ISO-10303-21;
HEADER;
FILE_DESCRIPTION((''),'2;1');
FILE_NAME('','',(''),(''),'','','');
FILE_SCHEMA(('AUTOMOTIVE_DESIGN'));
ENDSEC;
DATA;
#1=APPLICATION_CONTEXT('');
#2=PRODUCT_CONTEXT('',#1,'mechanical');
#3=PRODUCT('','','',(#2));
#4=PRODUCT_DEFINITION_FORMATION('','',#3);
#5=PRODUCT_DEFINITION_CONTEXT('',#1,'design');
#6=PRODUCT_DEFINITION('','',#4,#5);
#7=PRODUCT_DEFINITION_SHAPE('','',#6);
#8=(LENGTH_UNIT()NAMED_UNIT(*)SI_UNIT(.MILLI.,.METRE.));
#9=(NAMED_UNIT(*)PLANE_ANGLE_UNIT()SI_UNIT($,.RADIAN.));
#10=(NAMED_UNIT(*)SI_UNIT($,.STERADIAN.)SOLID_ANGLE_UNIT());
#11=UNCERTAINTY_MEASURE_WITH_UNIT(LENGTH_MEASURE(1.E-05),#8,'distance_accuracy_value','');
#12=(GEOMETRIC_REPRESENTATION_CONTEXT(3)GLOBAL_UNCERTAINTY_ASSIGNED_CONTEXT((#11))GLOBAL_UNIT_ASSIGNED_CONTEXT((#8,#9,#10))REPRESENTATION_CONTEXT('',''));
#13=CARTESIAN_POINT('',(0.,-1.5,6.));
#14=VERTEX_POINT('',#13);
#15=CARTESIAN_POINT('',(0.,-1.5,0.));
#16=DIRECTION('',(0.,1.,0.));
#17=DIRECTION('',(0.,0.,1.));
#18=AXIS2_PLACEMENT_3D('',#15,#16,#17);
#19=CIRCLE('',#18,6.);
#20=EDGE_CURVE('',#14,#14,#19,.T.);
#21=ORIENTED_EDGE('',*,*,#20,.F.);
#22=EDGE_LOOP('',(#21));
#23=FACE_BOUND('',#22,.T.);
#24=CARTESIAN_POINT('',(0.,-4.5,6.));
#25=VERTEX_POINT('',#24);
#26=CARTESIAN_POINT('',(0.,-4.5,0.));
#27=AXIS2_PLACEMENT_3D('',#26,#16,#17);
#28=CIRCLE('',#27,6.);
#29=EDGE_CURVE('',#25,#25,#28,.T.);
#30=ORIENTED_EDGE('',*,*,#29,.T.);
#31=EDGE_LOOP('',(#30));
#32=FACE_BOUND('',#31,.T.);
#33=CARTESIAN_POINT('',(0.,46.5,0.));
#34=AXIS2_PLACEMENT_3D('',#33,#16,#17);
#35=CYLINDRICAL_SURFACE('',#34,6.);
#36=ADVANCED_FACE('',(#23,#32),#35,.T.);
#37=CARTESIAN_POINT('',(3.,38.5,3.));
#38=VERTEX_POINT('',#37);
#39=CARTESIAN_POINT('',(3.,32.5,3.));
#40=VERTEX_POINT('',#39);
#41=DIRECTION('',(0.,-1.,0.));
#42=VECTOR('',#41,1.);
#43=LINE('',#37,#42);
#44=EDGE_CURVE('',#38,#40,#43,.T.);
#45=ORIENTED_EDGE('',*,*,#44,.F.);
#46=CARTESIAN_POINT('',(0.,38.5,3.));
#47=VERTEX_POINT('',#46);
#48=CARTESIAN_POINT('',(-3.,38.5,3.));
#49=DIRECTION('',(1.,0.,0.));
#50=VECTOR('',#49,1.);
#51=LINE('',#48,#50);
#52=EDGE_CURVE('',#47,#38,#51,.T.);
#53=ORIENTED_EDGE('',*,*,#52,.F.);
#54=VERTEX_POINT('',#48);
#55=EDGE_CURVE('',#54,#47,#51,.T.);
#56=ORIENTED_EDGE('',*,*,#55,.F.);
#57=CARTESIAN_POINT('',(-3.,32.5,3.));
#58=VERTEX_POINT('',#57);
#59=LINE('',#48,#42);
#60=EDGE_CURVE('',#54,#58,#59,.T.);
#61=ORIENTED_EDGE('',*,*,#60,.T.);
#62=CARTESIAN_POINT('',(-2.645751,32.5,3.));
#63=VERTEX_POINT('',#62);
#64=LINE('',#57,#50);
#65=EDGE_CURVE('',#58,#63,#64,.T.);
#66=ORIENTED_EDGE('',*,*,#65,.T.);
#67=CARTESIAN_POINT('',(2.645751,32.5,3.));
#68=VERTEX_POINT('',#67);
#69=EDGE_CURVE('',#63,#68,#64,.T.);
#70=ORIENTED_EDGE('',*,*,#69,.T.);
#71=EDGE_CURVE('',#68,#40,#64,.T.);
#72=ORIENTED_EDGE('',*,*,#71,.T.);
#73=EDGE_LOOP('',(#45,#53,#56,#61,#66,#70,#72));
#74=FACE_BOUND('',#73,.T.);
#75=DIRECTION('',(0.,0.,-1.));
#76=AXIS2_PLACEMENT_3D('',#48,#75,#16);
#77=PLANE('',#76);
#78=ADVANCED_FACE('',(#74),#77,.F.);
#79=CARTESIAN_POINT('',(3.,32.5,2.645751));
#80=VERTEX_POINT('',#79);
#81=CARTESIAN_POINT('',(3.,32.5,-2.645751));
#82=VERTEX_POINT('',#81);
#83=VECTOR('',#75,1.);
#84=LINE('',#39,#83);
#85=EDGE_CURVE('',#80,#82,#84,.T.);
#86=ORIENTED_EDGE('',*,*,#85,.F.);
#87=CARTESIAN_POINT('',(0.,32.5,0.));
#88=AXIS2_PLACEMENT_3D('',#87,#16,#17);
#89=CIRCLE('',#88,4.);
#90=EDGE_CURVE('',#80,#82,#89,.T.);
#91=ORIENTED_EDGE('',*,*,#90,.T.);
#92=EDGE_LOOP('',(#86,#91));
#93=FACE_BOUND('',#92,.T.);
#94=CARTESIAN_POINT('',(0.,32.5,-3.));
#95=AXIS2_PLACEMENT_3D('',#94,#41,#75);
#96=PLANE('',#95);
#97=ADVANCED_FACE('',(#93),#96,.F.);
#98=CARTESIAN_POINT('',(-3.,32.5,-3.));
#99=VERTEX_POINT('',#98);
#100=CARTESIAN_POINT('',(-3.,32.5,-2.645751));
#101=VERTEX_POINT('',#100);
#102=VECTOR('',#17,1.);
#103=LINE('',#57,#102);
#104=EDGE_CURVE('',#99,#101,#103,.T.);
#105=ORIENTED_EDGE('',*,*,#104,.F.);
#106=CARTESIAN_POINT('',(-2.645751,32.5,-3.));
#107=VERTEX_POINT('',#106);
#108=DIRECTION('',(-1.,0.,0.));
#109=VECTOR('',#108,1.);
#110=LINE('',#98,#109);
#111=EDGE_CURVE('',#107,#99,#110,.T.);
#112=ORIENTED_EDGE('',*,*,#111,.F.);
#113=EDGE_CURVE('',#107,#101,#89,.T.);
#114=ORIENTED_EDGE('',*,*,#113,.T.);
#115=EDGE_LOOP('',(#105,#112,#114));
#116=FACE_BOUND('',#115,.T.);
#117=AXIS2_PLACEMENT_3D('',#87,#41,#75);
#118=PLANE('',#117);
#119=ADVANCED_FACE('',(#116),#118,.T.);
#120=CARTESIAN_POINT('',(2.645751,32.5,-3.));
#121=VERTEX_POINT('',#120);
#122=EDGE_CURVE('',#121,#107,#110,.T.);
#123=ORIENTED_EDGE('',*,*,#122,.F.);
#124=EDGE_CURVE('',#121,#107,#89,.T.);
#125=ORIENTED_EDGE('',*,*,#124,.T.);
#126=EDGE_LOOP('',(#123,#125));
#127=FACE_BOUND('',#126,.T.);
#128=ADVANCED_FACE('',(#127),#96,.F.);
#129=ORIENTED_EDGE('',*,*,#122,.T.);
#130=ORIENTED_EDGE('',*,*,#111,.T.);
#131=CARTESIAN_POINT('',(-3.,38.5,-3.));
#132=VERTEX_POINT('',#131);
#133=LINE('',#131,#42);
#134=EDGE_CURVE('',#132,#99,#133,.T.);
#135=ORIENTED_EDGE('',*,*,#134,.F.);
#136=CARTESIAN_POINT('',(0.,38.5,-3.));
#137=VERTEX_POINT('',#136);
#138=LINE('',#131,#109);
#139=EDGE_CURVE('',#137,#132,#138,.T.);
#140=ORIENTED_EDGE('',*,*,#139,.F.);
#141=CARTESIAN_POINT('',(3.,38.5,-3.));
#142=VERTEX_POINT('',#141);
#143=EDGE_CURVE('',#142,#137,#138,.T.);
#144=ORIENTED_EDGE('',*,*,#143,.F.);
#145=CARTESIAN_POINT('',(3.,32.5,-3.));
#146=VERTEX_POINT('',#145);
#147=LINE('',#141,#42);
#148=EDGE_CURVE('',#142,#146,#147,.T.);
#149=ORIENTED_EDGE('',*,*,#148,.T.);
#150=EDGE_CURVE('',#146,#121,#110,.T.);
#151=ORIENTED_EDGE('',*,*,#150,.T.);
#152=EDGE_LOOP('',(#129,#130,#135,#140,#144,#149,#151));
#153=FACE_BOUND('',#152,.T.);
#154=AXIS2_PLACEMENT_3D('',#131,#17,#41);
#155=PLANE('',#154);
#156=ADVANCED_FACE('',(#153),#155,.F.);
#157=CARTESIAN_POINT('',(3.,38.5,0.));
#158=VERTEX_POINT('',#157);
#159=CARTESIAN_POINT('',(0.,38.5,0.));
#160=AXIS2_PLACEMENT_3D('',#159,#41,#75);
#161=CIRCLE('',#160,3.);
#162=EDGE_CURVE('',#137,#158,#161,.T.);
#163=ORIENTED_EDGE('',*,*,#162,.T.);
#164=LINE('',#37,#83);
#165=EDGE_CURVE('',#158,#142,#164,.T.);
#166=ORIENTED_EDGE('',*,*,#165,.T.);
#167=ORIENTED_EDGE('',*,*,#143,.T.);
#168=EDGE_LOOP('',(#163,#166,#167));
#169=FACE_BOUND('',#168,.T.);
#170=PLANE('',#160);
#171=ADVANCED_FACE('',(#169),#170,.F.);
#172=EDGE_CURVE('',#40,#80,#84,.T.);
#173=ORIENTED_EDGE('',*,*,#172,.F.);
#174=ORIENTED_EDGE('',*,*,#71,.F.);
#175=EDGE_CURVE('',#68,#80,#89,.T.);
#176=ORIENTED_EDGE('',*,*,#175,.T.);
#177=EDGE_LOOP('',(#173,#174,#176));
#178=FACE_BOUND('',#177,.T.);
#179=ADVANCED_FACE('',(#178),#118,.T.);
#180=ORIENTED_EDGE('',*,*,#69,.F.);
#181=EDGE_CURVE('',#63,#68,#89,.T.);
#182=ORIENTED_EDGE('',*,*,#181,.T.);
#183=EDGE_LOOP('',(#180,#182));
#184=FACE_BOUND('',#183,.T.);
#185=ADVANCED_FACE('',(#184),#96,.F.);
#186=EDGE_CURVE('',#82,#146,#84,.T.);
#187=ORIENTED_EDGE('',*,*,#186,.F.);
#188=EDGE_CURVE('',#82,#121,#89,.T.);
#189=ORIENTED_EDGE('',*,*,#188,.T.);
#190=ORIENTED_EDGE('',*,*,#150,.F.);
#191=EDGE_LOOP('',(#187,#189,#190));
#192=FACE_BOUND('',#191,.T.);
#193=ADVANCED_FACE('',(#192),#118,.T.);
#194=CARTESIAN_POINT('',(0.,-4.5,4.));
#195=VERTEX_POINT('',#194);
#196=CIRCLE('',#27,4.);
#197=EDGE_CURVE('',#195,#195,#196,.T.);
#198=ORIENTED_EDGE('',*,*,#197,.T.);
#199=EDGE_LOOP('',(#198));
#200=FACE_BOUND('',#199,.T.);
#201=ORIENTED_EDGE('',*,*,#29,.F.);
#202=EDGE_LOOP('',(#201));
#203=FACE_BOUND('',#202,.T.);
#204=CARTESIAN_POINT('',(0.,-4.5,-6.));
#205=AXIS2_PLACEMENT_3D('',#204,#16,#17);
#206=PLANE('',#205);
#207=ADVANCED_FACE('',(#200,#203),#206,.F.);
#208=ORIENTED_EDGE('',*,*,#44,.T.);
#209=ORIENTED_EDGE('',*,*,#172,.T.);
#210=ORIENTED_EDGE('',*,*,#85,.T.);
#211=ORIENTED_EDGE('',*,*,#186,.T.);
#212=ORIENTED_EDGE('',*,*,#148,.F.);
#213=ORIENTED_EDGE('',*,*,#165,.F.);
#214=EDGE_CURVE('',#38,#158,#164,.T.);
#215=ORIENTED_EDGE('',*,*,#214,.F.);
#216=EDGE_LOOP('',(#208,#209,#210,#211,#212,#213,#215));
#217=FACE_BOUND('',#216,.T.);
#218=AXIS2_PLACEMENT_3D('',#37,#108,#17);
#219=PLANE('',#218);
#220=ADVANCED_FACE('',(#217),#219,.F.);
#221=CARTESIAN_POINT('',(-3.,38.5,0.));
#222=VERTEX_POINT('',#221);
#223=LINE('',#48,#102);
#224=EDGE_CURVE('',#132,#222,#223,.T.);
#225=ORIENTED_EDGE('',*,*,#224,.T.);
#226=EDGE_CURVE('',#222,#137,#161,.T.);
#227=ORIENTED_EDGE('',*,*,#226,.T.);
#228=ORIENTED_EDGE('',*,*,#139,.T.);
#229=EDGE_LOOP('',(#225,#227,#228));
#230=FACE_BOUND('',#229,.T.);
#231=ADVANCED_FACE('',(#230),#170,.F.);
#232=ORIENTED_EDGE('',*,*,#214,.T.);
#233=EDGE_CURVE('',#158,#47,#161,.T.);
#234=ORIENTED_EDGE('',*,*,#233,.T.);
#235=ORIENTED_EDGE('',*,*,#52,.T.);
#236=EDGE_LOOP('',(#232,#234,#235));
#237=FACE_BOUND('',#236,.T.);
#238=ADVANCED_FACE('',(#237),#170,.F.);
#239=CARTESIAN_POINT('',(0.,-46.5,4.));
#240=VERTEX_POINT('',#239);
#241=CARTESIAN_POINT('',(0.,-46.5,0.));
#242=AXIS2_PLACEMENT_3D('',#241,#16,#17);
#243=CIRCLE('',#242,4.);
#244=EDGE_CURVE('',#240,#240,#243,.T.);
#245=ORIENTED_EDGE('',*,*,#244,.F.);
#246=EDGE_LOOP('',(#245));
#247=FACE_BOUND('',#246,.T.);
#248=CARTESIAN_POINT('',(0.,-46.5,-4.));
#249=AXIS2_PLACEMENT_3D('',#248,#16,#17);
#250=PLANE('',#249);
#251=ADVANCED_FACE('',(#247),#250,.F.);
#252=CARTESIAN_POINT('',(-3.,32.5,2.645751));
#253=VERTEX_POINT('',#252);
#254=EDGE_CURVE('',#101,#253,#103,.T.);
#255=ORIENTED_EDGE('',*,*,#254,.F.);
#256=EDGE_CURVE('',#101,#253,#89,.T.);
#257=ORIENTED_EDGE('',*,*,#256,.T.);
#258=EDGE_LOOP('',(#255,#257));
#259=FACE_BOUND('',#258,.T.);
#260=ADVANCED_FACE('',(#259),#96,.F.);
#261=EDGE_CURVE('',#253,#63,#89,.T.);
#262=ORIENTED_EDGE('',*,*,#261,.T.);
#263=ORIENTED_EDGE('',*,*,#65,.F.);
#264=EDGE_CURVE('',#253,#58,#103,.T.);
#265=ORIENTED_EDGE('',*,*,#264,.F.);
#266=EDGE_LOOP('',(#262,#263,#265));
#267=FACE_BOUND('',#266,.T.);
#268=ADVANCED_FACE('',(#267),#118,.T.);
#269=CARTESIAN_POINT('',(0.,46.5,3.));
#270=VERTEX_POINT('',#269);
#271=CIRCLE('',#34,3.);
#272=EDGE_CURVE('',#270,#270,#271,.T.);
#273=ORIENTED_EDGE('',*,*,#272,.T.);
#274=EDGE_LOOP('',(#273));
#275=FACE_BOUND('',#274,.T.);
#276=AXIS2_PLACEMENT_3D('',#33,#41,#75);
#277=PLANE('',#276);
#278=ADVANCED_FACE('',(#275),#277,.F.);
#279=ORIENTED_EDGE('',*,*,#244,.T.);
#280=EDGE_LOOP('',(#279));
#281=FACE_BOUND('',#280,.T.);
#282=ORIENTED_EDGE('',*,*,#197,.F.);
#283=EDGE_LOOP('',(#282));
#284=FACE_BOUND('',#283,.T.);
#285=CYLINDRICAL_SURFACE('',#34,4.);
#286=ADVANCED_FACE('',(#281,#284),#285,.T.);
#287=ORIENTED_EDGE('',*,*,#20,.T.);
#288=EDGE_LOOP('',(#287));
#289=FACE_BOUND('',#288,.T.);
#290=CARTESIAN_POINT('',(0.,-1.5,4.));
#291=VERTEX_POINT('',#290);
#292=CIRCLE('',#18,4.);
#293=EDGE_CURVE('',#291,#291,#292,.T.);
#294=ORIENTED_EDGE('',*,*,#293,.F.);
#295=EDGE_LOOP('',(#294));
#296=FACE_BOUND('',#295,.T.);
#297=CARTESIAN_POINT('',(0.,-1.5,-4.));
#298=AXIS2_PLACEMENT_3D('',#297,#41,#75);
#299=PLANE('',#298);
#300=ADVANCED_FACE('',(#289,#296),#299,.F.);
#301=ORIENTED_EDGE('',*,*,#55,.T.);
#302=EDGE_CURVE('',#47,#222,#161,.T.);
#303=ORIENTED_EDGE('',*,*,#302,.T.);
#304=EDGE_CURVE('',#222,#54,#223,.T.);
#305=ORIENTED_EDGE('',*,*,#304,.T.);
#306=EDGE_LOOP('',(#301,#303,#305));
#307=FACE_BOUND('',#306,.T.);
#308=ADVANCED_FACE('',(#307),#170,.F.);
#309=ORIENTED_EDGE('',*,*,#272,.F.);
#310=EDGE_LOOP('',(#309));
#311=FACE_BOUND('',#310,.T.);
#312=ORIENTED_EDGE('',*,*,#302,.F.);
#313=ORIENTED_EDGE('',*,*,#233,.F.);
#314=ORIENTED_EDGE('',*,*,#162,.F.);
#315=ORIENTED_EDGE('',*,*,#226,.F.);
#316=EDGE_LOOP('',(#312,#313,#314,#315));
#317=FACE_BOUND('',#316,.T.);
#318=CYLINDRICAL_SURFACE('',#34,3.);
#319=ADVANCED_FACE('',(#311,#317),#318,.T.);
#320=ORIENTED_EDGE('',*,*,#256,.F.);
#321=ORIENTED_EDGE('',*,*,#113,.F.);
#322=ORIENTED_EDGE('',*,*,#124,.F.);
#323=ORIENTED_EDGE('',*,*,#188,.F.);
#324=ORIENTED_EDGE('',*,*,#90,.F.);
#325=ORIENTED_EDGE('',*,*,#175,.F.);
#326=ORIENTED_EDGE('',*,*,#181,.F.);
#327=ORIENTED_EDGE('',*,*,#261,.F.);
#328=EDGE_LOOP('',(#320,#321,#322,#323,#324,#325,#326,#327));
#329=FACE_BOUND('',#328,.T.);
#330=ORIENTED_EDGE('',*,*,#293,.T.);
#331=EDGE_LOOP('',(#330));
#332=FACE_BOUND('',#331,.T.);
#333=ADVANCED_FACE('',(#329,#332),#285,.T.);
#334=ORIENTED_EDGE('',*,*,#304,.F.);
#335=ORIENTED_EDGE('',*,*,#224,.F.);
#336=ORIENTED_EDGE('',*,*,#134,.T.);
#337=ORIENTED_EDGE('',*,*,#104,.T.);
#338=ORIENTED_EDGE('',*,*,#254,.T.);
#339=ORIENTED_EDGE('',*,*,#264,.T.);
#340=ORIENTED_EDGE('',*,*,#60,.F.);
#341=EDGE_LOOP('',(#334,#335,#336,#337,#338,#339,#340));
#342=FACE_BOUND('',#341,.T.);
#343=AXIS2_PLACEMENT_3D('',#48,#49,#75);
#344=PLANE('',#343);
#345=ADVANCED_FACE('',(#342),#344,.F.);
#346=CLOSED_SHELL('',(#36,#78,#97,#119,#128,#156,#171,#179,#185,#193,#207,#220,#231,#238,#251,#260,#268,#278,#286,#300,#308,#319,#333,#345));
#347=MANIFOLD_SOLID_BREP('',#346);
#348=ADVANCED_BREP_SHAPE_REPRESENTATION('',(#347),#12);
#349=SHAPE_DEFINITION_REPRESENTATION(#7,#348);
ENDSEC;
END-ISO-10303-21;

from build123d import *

# Parameters (mm, degrees)
SKETCH2_W           = 6
SKETCH2_H           = 6
BOSS_EXTRUDE1_DEPTH = 6


with BuildPart() as part:
    # Sketch1 → Revolve1 (revolve)
    with BuildSketch(Plane(origin=(0, 0, 0), x_dir=(0, 0, -1), z_dir=(1, 0, 0))):
        Polygon((0, 46.5), (3, 46.5), (3, 32.5), (4, 32.5), (4, -1.5), (6, -1.5), (6, -4.5), (4, -4.5), (4, -46.5), (0, -46.5), align=None)
    revolve(axis=Axis((0, 46.5, 0), (0, -1, 0)))

    # Sketch2 → Boss-Extrude1 (add)
    with BuildSketch(Plane(origin=(0, 32.5, 0), x_dir=(1, 0, 0), z_dir=(0, 1, 0))):
        Rectangle(SKETCH2_W, SKETCH2_H)
    extrude(amount=BOSS_EXTRUDE1_DEPTH)


solid = part.part
